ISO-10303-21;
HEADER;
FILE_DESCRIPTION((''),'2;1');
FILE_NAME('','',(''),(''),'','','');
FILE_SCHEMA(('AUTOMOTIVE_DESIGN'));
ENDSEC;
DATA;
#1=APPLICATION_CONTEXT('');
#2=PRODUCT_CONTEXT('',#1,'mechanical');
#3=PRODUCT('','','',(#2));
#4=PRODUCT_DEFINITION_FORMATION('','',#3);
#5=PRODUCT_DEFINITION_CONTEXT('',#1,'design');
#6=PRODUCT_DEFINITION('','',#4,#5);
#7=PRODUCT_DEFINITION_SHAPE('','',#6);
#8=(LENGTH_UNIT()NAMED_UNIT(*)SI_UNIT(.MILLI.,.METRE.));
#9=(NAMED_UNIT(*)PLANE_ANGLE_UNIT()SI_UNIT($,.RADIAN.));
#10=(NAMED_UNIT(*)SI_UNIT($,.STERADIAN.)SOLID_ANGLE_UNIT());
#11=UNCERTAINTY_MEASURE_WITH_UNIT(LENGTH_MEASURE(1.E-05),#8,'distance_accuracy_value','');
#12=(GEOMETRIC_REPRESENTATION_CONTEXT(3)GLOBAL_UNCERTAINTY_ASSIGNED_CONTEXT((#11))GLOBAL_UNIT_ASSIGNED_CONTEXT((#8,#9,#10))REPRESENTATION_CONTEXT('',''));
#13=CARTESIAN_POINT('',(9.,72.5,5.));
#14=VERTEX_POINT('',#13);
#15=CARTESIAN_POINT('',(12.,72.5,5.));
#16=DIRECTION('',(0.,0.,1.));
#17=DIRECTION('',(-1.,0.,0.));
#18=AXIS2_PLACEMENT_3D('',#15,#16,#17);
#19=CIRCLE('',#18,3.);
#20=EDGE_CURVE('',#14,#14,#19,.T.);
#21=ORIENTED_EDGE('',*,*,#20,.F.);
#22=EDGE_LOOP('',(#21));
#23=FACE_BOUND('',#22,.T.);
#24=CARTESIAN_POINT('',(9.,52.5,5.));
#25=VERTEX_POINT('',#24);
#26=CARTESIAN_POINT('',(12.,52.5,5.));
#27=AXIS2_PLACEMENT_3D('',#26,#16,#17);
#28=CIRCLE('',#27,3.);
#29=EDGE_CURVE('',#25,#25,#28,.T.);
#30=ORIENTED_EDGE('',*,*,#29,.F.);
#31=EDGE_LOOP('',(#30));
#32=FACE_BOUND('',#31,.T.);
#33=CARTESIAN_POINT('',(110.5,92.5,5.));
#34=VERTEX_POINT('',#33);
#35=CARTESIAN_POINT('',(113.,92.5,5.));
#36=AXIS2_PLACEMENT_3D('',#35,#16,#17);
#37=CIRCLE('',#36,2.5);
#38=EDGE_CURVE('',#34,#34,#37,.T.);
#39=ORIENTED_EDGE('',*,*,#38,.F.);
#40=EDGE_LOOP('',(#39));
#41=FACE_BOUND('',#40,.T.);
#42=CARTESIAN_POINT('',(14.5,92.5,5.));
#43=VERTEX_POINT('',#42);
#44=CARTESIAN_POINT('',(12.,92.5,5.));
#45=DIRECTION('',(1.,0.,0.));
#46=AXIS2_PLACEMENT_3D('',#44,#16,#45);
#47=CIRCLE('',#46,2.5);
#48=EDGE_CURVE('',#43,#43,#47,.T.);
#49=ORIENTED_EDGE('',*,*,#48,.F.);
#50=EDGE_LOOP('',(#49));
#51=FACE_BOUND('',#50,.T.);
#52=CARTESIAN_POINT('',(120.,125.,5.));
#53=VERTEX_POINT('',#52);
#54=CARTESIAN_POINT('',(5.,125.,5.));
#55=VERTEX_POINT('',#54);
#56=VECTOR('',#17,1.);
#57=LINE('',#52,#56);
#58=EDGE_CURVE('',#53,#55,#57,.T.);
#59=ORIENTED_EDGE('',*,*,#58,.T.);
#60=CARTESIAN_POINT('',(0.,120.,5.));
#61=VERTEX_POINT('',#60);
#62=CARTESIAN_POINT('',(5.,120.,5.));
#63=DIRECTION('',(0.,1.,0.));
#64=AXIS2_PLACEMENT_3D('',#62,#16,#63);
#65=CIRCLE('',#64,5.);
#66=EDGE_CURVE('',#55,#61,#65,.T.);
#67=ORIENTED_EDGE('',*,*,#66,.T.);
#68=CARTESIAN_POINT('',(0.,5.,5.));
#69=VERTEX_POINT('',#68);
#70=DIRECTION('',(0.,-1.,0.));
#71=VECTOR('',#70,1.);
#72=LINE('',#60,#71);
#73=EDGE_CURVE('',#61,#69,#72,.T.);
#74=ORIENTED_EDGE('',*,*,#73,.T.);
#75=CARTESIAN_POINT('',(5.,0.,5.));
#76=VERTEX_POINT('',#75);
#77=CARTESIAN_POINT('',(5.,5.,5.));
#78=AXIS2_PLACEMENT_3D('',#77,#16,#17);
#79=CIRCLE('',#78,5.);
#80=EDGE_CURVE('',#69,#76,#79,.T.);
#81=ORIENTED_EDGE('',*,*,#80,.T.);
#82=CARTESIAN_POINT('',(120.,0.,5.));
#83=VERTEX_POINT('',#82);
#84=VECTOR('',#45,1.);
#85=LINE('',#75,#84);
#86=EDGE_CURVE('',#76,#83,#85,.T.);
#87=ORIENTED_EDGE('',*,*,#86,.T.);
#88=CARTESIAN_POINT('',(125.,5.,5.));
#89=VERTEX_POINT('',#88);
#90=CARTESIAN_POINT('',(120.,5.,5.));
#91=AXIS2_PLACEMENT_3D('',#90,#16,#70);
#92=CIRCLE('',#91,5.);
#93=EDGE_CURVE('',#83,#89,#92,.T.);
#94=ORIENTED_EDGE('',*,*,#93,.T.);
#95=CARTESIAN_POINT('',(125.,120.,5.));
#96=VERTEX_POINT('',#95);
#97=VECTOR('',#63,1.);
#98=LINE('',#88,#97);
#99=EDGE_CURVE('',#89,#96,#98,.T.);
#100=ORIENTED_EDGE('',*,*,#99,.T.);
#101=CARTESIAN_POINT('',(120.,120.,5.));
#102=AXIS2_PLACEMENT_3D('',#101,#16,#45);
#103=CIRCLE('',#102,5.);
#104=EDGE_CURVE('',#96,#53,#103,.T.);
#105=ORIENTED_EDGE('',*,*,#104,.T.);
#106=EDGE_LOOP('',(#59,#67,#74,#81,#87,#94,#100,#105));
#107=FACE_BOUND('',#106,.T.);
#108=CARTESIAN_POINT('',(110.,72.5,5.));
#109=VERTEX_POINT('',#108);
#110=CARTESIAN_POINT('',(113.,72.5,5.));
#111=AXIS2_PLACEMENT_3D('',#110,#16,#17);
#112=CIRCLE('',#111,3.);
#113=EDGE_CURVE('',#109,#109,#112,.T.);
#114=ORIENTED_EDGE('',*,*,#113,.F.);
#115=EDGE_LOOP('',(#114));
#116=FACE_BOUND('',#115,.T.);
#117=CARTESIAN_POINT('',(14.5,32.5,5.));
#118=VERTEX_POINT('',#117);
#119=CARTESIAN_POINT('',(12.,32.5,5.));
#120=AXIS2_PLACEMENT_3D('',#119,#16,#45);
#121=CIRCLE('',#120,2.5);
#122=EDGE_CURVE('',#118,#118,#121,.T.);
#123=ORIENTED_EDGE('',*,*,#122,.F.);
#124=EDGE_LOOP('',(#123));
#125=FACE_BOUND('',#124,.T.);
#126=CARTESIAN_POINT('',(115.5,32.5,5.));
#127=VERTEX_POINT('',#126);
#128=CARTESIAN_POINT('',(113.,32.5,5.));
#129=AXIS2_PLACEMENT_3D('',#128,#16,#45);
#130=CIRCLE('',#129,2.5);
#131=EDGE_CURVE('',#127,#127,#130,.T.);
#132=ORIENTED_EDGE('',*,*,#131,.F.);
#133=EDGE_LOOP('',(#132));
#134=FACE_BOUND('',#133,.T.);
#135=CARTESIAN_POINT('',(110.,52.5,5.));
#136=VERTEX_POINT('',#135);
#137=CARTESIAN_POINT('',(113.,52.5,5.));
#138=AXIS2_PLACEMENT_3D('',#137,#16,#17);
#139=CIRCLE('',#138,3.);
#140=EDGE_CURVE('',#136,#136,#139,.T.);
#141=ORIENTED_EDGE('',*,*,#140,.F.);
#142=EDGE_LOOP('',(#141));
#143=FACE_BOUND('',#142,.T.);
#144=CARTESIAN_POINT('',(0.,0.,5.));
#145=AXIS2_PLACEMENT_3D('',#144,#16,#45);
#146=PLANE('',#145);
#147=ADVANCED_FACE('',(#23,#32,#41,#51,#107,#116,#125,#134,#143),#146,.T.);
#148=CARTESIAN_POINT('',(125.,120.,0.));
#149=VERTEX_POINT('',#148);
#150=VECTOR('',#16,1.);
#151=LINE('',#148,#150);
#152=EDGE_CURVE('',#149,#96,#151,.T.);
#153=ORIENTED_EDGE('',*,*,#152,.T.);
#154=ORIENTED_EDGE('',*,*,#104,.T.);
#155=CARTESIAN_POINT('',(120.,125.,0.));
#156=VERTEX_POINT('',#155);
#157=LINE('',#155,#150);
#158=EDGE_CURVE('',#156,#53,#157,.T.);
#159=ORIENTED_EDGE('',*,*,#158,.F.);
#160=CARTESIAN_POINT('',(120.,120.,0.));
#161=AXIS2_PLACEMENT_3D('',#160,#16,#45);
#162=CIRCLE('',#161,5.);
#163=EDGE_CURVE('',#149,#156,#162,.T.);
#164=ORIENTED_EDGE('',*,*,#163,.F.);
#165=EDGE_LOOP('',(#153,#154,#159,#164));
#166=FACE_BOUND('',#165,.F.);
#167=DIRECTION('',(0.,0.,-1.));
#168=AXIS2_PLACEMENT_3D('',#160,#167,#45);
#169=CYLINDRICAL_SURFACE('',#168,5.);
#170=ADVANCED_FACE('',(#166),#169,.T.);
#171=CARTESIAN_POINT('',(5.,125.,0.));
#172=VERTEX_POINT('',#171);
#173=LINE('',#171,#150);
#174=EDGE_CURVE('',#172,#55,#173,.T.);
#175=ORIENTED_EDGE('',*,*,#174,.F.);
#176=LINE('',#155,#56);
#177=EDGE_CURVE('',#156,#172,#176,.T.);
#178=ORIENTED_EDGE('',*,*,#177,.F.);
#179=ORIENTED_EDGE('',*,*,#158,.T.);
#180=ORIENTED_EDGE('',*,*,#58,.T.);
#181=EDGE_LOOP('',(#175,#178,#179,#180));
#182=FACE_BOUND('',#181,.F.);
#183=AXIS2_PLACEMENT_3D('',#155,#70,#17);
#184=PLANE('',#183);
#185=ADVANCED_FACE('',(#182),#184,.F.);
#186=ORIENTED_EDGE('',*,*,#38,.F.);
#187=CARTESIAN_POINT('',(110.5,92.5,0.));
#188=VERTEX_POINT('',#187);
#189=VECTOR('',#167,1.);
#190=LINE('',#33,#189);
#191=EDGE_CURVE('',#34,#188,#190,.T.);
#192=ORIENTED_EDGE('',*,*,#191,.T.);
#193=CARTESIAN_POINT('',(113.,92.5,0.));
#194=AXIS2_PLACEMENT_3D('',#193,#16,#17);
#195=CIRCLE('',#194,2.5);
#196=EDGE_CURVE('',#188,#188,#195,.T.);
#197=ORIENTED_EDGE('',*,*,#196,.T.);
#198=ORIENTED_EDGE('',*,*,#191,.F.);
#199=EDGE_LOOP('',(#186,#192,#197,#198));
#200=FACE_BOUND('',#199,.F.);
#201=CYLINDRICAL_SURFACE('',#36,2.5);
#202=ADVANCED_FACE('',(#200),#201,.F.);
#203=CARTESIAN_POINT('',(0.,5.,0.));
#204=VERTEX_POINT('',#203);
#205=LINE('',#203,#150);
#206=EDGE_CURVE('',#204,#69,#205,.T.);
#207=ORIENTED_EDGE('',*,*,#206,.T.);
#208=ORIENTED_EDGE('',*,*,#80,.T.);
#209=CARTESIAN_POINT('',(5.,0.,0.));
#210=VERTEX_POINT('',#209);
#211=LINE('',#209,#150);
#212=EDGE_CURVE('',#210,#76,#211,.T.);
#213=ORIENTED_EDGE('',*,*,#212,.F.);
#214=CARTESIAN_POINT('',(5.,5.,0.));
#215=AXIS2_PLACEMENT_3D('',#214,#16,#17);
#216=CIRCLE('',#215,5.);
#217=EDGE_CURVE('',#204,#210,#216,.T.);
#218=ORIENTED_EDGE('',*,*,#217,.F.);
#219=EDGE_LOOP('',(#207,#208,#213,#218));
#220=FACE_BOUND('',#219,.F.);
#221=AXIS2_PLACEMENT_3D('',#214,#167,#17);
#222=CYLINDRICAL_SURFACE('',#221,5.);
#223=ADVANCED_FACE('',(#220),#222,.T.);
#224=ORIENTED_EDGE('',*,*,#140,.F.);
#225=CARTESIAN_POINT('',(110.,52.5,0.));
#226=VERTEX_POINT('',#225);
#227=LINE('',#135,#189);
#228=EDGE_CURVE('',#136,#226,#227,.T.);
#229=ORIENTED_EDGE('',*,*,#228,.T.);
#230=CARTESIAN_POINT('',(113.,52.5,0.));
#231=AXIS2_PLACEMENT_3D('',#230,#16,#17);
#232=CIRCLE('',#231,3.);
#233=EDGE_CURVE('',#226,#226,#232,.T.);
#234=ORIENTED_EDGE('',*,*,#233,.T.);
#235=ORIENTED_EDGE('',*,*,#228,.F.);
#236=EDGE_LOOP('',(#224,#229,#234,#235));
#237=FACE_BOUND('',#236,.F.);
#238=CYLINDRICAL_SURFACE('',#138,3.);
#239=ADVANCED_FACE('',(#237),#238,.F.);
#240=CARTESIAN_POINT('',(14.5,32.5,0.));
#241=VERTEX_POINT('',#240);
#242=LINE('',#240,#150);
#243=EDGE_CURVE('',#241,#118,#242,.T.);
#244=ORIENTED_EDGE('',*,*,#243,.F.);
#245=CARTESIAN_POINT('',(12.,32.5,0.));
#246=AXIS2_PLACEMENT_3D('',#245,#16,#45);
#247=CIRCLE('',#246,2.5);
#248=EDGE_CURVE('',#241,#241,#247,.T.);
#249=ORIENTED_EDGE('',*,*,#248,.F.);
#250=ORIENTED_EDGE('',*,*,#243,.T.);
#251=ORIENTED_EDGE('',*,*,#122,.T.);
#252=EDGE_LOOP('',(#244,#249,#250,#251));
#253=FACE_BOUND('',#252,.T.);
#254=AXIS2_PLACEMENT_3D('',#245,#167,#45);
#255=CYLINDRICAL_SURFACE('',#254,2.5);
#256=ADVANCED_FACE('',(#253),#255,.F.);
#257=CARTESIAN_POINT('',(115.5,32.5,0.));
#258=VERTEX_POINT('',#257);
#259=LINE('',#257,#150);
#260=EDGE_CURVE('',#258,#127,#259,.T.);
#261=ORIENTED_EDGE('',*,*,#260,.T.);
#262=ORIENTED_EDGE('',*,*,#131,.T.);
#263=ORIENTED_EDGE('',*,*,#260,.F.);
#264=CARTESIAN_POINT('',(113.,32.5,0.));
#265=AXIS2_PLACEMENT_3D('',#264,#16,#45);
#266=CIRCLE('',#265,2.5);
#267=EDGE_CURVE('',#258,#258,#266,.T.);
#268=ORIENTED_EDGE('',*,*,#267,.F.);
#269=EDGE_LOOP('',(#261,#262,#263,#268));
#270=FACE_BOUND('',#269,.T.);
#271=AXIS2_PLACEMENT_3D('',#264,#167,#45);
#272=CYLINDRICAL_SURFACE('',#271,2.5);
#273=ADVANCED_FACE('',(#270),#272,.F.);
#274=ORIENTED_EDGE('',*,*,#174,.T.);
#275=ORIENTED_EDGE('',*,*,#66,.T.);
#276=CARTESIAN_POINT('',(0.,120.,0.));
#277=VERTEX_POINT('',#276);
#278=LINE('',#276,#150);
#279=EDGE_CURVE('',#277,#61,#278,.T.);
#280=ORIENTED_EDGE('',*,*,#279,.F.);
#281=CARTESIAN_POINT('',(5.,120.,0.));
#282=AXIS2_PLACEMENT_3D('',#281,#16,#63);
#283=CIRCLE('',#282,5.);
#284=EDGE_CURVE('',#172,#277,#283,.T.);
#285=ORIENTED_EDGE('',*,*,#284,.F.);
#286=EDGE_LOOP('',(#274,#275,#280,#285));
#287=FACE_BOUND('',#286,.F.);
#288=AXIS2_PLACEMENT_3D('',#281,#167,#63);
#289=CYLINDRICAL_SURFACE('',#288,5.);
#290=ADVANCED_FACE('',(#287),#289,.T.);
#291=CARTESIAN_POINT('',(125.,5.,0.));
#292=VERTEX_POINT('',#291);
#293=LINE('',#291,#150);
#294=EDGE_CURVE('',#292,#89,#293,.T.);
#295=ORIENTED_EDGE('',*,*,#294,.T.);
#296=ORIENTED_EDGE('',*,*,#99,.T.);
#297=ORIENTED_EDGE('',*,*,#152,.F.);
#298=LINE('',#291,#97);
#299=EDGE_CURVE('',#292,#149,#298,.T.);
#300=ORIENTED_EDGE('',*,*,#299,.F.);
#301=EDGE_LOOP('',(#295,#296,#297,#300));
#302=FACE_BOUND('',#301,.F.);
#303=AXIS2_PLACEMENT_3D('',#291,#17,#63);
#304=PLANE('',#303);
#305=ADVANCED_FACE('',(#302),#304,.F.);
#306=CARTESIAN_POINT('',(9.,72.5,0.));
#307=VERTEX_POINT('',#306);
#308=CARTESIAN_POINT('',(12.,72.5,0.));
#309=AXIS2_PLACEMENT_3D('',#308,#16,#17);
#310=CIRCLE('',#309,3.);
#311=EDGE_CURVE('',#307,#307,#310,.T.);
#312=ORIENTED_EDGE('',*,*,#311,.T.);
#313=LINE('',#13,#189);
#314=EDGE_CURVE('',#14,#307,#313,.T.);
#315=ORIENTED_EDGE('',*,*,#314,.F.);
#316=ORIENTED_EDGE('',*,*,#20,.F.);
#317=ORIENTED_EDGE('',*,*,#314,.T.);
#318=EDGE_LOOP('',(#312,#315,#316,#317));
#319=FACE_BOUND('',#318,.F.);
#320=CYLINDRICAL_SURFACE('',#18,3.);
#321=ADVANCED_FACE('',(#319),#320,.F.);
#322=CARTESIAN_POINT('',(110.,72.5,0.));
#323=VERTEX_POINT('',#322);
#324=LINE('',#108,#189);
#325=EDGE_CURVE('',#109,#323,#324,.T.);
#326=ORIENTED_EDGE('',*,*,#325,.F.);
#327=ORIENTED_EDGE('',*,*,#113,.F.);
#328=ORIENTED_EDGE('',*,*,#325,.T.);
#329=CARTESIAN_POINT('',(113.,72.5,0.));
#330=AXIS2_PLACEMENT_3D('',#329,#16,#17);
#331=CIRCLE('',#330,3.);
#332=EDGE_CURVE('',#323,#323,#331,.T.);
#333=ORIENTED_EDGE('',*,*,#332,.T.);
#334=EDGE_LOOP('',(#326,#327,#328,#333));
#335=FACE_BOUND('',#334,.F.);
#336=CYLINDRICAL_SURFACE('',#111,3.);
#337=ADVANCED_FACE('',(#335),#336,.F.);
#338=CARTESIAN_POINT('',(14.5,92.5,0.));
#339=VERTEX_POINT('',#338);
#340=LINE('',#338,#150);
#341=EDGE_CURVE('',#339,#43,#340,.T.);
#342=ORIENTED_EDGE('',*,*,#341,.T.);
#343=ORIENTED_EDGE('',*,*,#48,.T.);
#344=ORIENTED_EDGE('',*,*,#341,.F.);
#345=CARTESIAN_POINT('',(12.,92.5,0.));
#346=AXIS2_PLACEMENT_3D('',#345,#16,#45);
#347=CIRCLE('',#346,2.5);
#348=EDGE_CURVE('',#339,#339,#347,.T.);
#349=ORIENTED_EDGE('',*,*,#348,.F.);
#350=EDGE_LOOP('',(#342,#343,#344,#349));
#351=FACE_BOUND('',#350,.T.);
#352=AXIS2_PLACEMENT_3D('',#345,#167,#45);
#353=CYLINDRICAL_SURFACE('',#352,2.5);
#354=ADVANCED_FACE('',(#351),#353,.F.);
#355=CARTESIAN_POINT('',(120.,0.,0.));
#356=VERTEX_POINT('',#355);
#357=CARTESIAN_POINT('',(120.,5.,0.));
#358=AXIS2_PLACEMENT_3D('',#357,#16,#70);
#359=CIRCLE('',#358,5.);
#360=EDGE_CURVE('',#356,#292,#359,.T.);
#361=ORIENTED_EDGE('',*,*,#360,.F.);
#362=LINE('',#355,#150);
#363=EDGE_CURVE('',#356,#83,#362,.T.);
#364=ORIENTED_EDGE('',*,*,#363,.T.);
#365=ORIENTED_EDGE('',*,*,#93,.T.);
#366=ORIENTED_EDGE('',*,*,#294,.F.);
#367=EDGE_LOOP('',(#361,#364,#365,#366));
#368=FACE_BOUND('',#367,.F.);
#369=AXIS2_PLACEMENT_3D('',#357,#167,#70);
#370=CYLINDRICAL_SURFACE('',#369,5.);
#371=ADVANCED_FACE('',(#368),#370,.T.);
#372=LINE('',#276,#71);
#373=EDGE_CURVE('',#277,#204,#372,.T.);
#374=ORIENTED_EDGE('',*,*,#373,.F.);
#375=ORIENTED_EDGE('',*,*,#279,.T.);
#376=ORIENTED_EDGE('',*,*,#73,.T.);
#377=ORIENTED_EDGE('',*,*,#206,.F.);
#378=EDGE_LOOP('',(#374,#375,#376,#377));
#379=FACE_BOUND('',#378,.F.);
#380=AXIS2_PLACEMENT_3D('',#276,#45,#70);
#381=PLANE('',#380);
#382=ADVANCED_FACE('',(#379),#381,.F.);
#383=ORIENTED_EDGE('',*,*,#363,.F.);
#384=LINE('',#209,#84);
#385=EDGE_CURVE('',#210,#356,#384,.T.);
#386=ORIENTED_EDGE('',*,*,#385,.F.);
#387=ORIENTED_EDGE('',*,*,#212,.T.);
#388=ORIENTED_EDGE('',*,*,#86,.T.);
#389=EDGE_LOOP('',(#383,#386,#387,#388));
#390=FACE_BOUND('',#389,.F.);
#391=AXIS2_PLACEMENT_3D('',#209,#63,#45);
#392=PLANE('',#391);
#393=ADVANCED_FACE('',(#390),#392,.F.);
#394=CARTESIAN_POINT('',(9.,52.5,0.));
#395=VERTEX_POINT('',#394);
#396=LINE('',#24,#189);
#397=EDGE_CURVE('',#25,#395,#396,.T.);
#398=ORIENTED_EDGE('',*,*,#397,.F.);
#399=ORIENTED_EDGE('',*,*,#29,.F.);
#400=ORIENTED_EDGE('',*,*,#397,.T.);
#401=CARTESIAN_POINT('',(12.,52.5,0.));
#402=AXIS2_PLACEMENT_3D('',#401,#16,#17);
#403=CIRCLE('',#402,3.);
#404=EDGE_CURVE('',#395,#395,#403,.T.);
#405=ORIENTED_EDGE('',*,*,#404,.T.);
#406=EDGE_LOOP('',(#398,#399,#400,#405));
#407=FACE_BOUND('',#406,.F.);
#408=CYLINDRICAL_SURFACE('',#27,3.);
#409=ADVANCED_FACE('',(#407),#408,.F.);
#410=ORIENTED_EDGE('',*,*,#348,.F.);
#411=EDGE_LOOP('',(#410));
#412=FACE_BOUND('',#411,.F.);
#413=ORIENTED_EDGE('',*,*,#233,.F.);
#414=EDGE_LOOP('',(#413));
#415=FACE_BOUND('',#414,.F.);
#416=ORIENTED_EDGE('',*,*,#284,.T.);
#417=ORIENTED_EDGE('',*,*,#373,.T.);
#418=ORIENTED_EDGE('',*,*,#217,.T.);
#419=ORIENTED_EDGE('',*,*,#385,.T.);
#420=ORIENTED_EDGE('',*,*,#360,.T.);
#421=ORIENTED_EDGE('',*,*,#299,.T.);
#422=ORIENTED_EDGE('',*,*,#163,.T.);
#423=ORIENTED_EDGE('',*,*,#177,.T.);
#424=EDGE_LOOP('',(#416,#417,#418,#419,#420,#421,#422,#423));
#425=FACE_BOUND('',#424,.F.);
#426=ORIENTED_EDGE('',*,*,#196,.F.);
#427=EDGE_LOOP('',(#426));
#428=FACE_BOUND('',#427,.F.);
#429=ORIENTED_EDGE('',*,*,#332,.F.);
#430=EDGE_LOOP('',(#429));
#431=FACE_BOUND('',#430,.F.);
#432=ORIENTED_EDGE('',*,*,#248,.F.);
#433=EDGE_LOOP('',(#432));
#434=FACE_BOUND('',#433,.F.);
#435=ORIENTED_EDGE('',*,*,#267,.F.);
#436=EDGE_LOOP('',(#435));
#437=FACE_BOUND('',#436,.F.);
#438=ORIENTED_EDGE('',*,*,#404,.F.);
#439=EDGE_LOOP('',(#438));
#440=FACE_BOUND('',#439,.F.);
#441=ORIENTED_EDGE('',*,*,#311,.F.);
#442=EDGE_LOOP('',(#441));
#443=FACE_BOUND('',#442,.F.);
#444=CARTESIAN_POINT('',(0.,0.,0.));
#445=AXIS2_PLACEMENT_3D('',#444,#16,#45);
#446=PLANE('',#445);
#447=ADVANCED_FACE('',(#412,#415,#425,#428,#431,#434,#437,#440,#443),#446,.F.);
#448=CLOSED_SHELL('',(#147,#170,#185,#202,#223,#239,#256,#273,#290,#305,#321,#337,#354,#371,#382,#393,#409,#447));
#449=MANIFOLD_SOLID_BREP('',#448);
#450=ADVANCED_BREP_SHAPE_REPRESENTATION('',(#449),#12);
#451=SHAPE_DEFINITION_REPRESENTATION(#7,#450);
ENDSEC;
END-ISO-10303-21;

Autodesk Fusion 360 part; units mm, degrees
sketch "Sketch1" plane through (0, 0, 0) normal (0, 0, 1) x (1, 0, 0)
  line L0 (5, 0) -> (120, 0)
  line L1 (125, 5) -> (125, 120)
  line L2 (120, 125) -> (5, 125)
  line L3 (0, 120) -> (0, 5)
  arc A0 (125, 120) -> (120, 125) centre (120, 120) ccw
  arc A1 (5, 125) -> (0, 120) centre (5, 120) ccw
  arc A2 (0, 5) -> (5, 0) centre (5, 5) ccw
  arc A3 (120, 0) -> (125, 5) centre (120, 5) ccw
  circle A4 centre (12, 32.5) radius 2.5
  circle A5 centre (113, 32.5) radius 2.5
  circle A6 centre (12, 92.5) radius 2.5
  line L4 (45, 80) -> (80, 80)
  line L5 (80, 80) -> (80, 45)
  line L6 (80, 45) -> (45, 45)
  line L7 (45, 45) -> (45, 80)
  dimension "d3" = 10
  dimension "d4" = 10
  dimension "d5" = 10
  dimension "d6" = 10
  dimension "d7" = 5
  dimension "d8" = 12
  dimension "d9" = 32.5
  dimension "d10" = 5
  dimension "d11" = 12
  dimension "d12" = 32.5
  dimension "d13" = 5
  dimension "d15" = 12
  dimension "d16" = 32.5
  dimension "d81" = 35
  dimension "d82" = 35
  dimension "d83" = 45
  dimension "d84" = 45
  dimension "d85" = 45
  dimension "d86" = 45
extrude "Extrude1" add sketch "Sketch1" along normal blind 5 contours L0 L1 L2 L3 A0 A1 A2 A3 | L4 L5 L6 L7
sketch "Sketch2" plane through (0, 0, 5) normal (0, 0, 1) x (-1, 0, 0)
  circle A0 centre (-12, -72.5) radius 3
  line L0 (0, -120) -> (0, -5)
  circle A1 centre (-12, -52.5) radius 3
  circle A2 centre (-113, -52.5) radius 3
  line L1 (-125, -5) -> (-125, -120)
  circle A3 centre (-113, -72.5) radius 3
  circle A4 centre (-113, -92.5) radius 2.5
  line L2 (-120, -125) -> (-5, -125)
  point P0 (-12, -92.5)
  point P1 (-12, -32.5)
  point P2 (-113, -32.5)
  dimension "d65" = 6
  dimension "d66" = 20
  dimension "d67" = 12
  dimension "d68" = 6
  dimension "d69" = 20
  dimension "d70" = 12
  dimension "d71" = 20
  dimension "d72" = 6
  dimension "d73" = 12
  dimension "d74" = 6
  dimension "d75" = 12
  dimension "d148" = 5
  dimension "d149" = 20
  dimension "d150" = 20
  dimension "d151" = 20
  dimension "d152" = 32.5
  dimension "d153" = 12
sketch "Sketch3" plane through (0, 0, 5) normal (0, 0, 1) x (-1, 0, 0)
extrude "Extrude2" add sketch "Sketch2" against normal blind 5 contours A0 | A1 | A2 | A3
extrude "Extrude3" cut sketch "Sketch2" against normal blind 5 contours A0 | A1 | A2 | A3
sketch "Sketch4" plane through (0, 0, 5) normal (0, 0, 1) x (-1, 0, 0)
  circle A0 centre (-113, -92.5) radius 2.5
  line L0 (-120, -125) -> (-5, -125)
  line L1 (-125, -5) -> (-125, -120)
  dimension "d145" = 5
  dimension "d146" = 32.5
  dimension "d147" = 12
extrude "Extrude4" cut sketch "Sketch4" against normal blind 5
equation "main_plate_thickness = 5 mm"
equation "d77 = -main_plate_thickness"
equation "d79 = -main_plate_thickness"
